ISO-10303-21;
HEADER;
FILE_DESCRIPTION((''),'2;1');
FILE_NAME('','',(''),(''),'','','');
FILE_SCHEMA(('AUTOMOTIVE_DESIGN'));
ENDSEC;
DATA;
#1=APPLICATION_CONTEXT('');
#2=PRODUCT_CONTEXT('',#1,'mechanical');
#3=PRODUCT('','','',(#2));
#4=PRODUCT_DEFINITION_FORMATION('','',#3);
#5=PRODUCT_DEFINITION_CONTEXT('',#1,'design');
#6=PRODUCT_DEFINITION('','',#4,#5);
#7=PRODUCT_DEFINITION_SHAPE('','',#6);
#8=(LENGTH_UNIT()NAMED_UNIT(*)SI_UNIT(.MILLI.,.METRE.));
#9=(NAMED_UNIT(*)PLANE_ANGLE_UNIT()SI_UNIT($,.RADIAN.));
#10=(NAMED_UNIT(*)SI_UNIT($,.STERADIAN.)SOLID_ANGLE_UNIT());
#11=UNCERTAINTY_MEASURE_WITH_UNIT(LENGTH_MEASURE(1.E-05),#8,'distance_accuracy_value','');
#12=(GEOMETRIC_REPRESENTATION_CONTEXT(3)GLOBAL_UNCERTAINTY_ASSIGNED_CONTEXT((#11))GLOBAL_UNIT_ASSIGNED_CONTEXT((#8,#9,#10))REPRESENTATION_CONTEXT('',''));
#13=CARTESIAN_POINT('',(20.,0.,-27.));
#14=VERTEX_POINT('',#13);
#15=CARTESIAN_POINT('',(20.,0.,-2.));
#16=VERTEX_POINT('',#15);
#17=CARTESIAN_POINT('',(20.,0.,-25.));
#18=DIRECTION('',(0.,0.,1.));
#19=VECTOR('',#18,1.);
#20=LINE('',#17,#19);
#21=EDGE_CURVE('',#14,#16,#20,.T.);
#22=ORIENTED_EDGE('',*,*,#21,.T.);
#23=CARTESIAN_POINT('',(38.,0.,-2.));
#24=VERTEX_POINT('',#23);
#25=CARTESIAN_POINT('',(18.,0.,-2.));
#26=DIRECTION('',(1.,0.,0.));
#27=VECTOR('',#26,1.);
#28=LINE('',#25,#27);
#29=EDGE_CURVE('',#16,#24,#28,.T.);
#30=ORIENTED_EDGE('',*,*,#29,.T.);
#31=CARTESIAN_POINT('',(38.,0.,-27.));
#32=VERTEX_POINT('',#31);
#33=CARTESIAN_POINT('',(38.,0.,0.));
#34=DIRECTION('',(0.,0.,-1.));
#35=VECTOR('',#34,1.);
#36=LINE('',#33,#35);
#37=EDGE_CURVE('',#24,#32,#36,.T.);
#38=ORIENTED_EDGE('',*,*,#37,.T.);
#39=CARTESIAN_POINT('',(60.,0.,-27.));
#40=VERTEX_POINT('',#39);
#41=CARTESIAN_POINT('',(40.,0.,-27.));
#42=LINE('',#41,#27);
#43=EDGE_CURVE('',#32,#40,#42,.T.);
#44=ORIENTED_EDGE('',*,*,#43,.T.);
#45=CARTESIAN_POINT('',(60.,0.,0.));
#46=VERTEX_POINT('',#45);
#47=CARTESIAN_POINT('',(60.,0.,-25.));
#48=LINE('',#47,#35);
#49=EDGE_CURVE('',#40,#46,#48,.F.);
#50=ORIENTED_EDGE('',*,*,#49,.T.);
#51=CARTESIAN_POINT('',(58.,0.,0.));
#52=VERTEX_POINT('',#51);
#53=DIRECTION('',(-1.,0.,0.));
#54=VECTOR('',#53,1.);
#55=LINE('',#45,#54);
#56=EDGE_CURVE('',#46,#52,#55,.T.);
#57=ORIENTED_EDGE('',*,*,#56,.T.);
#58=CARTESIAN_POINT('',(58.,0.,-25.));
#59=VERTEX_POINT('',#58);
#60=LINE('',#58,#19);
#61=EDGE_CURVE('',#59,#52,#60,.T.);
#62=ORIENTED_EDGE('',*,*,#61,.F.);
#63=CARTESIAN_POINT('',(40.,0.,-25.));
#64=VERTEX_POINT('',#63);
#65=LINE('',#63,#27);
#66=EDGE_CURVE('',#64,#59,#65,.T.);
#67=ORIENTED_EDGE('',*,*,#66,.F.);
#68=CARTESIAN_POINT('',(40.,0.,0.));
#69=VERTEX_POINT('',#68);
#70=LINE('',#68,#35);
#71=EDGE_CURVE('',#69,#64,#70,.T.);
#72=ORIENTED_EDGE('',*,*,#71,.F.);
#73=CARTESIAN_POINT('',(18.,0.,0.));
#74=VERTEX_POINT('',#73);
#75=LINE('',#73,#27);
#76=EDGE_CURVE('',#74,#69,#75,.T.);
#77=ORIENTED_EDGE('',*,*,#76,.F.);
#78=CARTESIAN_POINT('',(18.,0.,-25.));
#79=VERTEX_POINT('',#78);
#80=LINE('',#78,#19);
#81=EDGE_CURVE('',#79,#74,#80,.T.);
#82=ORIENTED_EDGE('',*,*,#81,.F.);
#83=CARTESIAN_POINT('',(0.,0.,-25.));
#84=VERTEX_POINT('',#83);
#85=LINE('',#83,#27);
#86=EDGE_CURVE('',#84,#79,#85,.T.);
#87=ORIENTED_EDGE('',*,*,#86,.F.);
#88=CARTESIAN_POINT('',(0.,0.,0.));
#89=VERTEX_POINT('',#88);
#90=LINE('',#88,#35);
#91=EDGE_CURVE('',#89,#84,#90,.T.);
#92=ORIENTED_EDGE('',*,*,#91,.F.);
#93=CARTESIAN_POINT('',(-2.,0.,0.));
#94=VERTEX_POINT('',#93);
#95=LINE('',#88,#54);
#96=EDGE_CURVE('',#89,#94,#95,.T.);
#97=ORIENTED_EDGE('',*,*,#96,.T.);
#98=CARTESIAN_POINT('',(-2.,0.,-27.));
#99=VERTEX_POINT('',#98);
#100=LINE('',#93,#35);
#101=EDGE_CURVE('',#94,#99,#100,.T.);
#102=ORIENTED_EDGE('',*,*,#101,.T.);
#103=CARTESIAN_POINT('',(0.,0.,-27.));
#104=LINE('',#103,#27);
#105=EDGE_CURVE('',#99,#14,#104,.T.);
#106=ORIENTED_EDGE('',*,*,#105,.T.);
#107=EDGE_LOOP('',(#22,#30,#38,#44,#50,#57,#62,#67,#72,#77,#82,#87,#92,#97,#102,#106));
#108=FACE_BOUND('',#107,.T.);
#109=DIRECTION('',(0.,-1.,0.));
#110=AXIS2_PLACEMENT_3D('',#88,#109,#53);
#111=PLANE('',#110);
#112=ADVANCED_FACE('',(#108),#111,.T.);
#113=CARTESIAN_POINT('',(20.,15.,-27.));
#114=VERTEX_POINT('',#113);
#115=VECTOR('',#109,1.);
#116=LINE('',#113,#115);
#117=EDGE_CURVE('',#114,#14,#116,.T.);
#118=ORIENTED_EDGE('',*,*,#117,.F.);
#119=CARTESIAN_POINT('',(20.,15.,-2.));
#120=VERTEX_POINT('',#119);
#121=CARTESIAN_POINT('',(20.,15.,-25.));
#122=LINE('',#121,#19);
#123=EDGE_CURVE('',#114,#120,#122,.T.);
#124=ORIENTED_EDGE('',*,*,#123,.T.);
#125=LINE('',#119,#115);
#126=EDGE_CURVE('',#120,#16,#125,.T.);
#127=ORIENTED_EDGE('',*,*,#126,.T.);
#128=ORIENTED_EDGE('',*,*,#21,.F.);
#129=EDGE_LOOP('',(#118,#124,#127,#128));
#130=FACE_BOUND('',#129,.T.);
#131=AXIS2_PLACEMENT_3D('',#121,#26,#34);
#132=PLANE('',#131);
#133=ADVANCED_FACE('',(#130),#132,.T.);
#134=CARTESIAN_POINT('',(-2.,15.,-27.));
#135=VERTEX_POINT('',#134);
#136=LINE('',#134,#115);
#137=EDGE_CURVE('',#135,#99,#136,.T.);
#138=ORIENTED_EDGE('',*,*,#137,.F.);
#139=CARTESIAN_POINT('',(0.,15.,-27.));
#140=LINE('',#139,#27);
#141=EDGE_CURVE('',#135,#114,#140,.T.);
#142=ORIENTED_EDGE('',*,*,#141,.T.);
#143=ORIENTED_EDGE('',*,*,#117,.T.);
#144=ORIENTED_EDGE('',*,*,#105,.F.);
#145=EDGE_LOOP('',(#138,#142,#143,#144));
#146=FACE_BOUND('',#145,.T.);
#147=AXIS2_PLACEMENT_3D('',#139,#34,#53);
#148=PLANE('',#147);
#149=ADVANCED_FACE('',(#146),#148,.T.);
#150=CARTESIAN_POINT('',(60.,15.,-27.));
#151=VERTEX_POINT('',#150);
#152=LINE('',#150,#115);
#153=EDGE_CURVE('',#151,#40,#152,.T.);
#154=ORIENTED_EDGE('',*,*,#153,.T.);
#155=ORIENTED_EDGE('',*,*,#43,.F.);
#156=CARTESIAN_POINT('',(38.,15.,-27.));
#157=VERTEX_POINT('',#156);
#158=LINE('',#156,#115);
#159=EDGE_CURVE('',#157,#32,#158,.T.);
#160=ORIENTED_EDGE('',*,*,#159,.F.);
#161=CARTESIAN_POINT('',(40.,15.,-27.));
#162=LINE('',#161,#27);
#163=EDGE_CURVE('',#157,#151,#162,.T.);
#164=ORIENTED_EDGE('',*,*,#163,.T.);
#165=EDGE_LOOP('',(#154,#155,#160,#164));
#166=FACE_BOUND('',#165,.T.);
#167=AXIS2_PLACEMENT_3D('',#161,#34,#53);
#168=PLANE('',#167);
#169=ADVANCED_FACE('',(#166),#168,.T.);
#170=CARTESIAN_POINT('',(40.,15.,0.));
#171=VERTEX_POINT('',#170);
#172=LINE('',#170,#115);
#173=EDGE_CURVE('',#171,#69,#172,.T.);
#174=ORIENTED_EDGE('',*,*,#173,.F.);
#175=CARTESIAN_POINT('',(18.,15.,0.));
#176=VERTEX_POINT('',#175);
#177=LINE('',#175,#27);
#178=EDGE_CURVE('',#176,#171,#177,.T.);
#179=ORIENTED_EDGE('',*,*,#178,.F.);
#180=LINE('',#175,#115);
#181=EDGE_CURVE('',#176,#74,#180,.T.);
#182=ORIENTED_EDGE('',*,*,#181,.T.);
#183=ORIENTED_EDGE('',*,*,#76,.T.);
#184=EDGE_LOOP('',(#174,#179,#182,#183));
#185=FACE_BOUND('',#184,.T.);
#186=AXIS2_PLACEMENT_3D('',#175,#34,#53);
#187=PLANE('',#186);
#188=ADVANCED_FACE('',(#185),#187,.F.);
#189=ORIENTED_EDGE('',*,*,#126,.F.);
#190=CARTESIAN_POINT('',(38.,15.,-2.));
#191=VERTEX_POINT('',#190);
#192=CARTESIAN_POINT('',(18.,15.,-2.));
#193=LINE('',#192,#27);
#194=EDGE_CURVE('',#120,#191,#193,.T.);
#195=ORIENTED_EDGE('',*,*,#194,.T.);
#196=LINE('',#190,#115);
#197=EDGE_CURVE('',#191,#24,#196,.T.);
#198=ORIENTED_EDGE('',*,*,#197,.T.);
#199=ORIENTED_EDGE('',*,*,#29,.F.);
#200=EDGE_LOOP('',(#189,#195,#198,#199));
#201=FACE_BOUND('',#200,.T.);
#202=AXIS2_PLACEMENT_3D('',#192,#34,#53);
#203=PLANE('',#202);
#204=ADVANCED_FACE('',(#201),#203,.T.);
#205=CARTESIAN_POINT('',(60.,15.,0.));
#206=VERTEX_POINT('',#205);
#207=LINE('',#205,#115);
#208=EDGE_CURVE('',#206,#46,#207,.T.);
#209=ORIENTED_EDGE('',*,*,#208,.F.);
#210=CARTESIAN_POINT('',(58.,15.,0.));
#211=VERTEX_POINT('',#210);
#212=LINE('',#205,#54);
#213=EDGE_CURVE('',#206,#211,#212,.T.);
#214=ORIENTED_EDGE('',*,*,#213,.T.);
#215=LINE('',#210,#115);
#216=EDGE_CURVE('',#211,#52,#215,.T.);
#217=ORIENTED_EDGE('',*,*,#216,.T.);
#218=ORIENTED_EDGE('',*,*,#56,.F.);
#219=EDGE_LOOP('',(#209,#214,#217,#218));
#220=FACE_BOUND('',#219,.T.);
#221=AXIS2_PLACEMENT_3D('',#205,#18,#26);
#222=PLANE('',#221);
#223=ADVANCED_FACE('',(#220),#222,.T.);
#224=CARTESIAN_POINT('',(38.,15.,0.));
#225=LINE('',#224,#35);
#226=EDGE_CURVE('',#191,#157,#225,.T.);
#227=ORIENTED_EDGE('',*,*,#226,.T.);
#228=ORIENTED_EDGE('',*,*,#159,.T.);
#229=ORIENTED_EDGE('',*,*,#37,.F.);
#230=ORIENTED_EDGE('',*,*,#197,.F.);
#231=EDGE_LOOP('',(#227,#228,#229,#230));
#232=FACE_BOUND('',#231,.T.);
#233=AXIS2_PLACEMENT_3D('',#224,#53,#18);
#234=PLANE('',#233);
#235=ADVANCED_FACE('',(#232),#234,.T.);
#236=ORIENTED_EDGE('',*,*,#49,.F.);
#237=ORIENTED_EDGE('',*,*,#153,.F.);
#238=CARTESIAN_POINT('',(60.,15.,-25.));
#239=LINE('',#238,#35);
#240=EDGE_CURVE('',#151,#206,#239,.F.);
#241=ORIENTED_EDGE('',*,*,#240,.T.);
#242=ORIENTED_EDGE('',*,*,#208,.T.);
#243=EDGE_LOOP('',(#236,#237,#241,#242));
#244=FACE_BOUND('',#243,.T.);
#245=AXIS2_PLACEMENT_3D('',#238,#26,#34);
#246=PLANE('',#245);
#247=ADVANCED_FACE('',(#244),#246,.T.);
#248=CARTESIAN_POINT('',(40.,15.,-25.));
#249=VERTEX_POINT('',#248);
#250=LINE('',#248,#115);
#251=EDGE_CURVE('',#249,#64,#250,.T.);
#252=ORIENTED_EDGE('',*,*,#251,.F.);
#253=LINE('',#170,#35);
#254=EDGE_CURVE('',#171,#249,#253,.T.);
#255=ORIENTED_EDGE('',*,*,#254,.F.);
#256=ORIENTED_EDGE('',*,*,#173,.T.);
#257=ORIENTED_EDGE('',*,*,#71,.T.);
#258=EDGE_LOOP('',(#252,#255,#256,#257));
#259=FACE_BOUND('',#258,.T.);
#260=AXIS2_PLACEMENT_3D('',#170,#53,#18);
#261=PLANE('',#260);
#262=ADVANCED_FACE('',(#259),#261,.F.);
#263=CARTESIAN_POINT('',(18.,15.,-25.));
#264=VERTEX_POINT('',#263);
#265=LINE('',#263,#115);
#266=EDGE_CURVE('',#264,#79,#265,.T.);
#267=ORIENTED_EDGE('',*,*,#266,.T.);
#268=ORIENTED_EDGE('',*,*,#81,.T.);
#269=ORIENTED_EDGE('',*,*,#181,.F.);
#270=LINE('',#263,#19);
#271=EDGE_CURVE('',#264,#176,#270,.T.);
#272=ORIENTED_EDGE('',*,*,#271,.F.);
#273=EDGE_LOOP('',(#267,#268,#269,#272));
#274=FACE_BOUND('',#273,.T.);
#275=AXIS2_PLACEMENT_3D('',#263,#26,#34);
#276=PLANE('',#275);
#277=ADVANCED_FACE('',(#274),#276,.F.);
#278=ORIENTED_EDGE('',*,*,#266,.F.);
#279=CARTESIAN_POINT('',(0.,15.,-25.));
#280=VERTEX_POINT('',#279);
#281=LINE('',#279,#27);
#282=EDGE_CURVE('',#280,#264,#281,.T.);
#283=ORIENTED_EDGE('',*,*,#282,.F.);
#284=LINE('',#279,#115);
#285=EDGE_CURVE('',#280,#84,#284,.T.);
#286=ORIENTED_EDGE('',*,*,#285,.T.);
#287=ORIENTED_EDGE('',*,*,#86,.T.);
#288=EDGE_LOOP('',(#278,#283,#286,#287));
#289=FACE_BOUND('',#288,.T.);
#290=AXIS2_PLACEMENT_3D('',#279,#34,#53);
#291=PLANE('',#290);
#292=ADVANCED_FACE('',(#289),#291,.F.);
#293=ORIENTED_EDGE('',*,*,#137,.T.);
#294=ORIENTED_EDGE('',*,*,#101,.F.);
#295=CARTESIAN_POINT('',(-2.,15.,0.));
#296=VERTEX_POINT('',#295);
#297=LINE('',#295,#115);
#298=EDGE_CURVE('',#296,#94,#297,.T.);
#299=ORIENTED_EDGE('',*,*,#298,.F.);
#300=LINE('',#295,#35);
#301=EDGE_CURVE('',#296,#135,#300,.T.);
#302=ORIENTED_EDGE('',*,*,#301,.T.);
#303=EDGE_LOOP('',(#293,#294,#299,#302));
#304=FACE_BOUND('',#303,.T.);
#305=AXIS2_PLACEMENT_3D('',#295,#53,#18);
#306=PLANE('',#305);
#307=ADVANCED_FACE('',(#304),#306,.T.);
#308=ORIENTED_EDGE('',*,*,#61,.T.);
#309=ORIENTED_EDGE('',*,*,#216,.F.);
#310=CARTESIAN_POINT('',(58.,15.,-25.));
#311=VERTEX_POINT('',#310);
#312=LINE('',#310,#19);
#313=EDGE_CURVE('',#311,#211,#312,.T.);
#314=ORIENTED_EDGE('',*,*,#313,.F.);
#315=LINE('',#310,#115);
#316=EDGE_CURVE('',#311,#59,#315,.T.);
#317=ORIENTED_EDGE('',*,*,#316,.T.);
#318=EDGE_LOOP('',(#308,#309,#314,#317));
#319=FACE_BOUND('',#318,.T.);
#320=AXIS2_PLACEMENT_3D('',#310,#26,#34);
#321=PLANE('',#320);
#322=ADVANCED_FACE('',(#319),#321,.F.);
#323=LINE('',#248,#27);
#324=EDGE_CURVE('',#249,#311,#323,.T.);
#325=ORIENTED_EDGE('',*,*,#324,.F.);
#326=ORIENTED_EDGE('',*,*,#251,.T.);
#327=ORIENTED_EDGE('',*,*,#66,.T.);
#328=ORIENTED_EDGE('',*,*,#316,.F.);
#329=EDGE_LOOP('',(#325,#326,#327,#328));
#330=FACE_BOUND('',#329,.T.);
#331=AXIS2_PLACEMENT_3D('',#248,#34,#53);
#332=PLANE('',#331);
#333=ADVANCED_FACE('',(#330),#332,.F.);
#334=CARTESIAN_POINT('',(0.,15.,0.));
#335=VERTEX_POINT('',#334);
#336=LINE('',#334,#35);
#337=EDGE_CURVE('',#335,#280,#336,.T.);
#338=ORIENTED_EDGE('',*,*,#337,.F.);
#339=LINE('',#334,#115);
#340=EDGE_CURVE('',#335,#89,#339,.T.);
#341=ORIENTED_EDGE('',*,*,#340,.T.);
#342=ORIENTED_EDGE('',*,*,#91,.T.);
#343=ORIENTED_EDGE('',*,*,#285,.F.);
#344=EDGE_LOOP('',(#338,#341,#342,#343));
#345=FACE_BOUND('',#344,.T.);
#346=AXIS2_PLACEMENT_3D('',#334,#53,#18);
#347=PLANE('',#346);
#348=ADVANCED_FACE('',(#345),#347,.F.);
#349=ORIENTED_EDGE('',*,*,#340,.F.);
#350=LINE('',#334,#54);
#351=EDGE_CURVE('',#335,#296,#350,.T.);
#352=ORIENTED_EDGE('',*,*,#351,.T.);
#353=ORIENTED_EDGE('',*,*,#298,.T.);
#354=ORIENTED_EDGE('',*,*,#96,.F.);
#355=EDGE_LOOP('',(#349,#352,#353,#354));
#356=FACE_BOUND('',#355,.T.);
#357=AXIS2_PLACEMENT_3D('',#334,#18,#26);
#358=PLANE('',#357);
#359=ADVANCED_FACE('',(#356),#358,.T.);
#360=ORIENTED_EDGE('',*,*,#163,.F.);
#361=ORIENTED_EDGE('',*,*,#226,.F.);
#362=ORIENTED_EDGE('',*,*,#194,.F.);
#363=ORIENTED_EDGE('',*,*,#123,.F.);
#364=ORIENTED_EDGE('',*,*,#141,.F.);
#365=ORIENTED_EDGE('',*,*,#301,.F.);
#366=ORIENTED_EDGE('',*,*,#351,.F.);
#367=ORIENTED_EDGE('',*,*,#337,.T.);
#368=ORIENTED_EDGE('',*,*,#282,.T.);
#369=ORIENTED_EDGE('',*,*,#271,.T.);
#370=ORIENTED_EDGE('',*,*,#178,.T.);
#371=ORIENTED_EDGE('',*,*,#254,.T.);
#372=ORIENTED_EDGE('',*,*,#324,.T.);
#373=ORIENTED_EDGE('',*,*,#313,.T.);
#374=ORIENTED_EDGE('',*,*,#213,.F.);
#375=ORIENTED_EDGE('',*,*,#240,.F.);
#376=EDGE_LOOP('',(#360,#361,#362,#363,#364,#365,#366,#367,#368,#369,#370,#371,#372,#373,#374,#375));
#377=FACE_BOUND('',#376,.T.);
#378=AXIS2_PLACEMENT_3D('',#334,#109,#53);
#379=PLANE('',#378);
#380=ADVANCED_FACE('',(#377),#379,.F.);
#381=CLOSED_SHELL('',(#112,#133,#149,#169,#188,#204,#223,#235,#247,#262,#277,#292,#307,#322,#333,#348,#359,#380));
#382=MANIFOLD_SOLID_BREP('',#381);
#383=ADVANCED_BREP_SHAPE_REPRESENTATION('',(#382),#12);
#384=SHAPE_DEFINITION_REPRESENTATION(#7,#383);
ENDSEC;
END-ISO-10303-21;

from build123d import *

# Parameters (mm, degrees)
EXTRUDE_THIN1_DEPTH = 15


with BuildPart() as part:
    # Sketch1 → Extrude-Thin1 (new body)
    with BuildSketch(Plane(origin=(0, 0, 0), x_dir=(1, 0, 0), z_dir=(0, 1, 0))):
        Polygon((0, 0), (0, 25), (18, 25), (18, 0), (40, 0), (40, 25), (58, 25), (58, 0), (60, 0), (60, 27), (38, 27), (38, 2), (20, 2), (20, 27), (-2, 27), (-2, 0), align=None)
    extrude(amount=EXTRUDE_THIN1_DEPTH)


solid = part.part
